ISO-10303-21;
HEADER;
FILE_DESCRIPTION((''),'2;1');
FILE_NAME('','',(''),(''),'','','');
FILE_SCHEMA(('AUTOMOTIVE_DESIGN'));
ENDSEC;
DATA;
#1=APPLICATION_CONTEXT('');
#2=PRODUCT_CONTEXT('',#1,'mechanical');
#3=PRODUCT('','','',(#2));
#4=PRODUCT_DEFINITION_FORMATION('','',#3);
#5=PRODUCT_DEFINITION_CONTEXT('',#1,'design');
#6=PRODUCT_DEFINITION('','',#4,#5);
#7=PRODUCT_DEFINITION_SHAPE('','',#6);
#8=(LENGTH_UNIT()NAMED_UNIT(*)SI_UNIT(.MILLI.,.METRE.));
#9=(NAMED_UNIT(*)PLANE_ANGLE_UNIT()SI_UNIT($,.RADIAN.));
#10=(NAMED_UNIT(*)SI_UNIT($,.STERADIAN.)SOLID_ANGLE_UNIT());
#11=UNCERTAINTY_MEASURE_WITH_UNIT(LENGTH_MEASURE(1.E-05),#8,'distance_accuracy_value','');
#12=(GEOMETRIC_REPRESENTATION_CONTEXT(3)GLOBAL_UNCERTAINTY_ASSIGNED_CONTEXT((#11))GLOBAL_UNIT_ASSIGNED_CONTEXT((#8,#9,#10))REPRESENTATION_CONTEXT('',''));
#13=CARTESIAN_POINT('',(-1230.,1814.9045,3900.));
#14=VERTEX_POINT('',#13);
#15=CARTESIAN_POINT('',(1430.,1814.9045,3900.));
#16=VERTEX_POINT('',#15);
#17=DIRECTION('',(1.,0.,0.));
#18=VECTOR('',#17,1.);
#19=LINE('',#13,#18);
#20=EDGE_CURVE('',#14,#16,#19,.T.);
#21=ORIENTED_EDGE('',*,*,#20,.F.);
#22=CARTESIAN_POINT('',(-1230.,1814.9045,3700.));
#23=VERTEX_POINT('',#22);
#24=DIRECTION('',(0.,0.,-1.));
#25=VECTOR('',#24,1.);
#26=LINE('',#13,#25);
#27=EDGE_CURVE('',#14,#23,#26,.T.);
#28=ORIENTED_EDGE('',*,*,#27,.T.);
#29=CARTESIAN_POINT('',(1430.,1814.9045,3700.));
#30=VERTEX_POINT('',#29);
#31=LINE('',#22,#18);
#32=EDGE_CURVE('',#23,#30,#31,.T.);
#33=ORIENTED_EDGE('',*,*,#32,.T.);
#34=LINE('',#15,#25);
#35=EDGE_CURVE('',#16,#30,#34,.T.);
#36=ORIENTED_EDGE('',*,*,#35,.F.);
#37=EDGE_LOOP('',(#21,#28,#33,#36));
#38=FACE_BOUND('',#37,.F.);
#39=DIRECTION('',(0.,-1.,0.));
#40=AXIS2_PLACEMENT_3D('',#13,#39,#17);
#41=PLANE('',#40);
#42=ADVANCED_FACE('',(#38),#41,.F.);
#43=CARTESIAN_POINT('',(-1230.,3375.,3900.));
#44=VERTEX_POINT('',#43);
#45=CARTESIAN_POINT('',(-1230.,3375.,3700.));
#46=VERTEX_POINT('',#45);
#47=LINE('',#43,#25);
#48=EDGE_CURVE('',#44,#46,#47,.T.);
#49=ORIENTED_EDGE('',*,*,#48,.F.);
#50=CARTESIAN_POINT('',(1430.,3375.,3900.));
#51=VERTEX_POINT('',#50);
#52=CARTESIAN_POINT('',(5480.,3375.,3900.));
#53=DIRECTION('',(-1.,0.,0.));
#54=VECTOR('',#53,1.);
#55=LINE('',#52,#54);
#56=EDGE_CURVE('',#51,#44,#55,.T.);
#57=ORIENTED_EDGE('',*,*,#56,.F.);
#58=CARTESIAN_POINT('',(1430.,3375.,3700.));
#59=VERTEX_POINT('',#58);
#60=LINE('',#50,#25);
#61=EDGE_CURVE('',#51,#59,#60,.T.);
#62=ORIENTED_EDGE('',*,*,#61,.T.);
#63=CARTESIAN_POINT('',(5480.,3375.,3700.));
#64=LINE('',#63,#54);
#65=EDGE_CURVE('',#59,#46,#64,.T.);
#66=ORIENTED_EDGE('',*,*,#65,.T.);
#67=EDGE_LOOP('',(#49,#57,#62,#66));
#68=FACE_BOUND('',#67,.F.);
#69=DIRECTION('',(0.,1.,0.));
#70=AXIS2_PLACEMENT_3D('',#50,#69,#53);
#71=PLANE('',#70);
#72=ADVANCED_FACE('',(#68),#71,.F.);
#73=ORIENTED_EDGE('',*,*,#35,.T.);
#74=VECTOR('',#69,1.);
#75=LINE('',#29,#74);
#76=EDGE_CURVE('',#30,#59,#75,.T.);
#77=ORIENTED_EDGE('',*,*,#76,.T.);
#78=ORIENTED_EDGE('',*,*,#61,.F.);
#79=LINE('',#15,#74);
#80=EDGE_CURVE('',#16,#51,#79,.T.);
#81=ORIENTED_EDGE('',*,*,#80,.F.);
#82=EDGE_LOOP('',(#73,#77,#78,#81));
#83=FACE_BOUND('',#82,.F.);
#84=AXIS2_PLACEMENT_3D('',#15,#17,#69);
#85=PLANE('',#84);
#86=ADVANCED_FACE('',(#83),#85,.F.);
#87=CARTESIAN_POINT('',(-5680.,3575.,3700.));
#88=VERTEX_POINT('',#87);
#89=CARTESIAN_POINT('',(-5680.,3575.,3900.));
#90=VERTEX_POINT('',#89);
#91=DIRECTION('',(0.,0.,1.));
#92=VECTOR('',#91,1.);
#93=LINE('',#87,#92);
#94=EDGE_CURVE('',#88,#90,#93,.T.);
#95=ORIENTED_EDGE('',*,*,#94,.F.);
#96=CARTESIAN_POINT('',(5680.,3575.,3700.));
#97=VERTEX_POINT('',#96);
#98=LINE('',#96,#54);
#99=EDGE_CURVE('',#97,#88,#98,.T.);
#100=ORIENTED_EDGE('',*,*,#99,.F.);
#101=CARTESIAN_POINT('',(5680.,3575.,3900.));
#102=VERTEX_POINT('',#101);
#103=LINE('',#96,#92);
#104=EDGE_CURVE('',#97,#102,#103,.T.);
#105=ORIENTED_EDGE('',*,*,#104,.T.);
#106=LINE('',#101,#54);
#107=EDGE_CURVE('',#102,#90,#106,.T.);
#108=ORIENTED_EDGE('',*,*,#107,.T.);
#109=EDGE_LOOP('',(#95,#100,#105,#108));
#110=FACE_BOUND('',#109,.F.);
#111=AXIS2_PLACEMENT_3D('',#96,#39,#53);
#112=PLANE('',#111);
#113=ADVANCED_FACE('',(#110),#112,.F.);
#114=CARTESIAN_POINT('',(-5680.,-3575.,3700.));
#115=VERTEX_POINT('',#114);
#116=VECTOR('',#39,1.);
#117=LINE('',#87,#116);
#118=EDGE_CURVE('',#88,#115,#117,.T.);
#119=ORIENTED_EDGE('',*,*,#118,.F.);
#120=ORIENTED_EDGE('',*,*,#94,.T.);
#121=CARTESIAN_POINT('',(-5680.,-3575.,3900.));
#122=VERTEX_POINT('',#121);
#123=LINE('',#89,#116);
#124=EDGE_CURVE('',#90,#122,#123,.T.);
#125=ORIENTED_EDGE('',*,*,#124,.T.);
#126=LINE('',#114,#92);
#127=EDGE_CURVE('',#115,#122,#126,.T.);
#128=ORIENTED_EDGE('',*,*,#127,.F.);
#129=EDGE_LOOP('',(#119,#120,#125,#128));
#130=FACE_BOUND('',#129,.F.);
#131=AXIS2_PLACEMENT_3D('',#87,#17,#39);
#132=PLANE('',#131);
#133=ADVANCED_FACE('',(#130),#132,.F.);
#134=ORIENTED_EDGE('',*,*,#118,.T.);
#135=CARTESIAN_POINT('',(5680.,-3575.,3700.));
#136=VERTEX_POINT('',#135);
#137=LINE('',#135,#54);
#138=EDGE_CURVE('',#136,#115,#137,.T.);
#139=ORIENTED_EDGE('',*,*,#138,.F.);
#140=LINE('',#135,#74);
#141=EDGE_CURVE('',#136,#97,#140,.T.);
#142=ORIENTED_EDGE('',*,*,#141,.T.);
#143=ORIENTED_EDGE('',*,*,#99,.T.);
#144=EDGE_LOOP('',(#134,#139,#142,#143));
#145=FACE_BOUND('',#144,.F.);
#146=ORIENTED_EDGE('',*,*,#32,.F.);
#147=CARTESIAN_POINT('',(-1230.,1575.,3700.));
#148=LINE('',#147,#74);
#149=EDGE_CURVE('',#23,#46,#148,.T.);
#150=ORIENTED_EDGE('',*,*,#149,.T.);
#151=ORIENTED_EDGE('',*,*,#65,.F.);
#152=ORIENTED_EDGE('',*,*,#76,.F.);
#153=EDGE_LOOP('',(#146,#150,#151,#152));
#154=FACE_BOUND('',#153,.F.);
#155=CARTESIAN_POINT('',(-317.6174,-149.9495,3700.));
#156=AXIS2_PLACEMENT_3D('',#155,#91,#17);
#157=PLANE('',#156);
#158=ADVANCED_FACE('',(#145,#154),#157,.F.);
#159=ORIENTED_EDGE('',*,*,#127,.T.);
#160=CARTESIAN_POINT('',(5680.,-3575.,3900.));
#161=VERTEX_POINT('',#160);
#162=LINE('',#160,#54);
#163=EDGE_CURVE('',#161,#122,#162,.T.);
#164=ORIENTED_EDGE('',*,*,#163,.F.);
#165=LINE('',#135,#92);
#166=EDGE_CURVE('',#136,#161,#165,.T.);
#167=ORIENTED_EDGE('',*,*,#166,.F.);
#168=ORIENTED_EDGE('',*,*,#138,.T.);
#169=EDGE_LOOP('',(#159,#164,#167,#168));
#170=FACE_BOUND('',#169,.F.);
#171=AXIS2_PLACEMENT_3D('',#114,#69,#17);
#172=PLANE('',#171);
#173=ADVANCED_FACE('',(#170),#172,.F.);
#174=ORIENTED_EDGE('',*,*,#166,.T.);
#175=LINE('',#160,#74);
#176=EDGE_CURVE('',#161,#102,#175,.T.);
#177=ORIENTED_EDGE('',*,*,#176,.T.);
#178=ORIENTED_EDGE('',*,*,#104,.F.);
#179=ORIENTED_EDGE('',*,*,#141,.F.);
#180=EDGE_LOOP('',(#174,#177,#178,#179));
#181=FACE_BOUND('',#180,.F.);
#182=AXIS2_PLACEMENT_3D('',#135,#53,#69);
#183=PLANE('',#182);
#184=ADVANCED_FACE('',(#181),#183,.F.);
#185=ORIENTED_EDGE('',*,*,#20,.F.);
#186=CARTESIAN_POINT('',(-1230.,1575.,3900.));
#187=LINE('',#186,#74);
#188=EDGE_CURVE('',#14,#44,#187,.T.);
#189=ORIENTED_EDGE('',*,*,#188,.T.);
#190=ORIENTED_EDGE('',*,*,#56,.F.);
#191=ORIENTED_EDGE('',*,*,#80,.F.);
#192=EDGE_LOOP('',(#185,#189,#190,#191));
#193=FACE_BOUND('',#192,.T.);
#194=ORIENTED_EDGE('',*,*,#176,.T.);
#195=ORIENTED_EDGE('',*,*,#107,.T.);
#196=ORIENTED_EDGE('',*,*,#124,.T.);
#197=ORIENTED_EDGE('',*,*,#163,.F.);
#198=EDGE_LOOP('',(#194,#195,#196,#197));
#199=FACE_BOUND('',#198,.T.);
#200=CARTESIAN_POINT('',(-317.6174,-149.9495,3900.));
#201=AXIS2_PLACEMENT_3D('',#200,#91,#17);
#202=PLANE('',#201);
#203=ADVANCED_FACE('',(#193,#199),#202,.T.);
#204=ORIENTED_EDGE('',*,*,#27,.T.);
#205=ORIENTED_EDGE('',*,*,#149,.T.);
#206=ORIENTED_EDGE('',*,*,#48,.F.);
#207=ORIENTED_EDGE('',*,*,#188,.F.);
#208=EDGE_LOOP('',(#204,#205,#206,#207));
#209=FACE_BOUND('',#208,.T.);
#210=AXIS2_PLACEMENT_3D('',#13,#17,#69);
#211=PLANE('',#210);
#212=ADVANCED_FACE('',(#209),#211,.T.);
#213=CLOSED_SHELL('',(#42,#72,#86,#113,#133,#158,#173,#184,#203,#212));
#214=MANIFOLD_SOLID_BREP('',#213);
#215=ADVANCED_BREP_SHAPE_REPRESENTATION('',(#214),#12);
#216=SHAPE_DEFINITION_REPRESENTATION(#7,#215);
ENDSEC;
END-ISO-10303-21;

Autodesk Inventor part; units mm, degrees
ref_plane "YZ Plane" through (0, 0, 0) normal (1, 0, 0) x (0, 1, 0)
ref_plane "XZ Plane" through (0, 0, 0) normal (0, 1, 0) x (-1, 0, 0)
ref_plane "XY Plane" through (0, 0, 0) normal (0, 0, 1) x (1, 0, 0)
ref_plane "Arbeitsebene1" through (-317.6174, -149.9495, 3700) normal (0, 0, 1) x (1, 0, 0)
sketch "Skizze1" plane through (-317.6174, -149.9495, 3700) normal (0, 0, 1) x (1, 0, 0)
  line L0 (5797.6174, 3524.9495) -> (5797.6174, -3225.0505) projected
  line L1 (5797.6174, -3225.0505) -> (-3682.3826, -3225.0505) projected
  line L2 (-3682.3826, -3225.0505) -> (-3682.3826, -1925.0505) projected
  line L3 (-3682.3826, -1925.0505) -> (-5162.3826, -1925.0505) projected
  line L4 (-5162.3826, -1925.0505) -> (-5162.3826, 3524.9495) projected
  line L5 (-5162.3826, 3524.9495) -> (5797.6174, 3524.9495) projected
  line L6 (-5162.3826, -3425.0505) -> (-5162.3826, -2125.0505) projected
  line L7 (-5162.3826, -2125.0505) -> (-3882.3826, -2125.0505) projected
  line L8 (-3882.3826, -2125.0505) -> (-3882.3826, -3425.0505) projected
  line L9 (-3882.3826, -3425.0505) -> (5997.6174, -3425.0505) projected
  line L10 (5997.6174, -3425.0505) -> (5997.6174, 3724.9495) projected
  line L11 (5997.6174, 3724.9495) -> (-5362.3826, 3724.9495) projected
  line L12 (-5362.3826, 3724.9495) -> (-5362.3826, -3425.0505) projected
  line L13 (-5362.3826, -3425.0505) -> (-5162.3826, -3425.0505) projected
  line L14 (-5362.3826, 3724.9495) -> (5997.6174, 3724.9495)
  line L15 (5997.6174, 3724.9495) -> (5997.6174, -3425.0505)
  line L16 (5997.6174, -3425.0505) -> (-5362.3826, -3425.0505)
  line L17 (-5362.3826, -3425.0505) -> (-5362.3826, 3724.9495)
extrude "Extrusion1" add sketch "Skizze1" along normal blind 200 contours L0 L1 L2 L3 L4 L5 | L13 L12 L11 L10 L9 L8 L7 L6 | L6 L7 L8 L16
sketch "Skizze2" plane through (-317.6174, -149.9495, 3900) normal (0, 0, 1) x (1, 0, 0)
  line L0 (5997.6174, -3425.0505) -> (5997.6174, 3724.9495) projected
  line L1 (5997.6174, 3724.9495) -> (-5362.3826, 3724.9495) projected
  line L2 (-5362.3826, 3724.9495) -> (-5362.3826, -3425.0505) projected
  line L3 (-5362.3826, -3425.0505) -> (5997.6174, -3425.0505) projected
  line L4 (-912.3826, 1724.9495) -> (-912.3826, 3524.9495) projected
  line L5 (5797.6174, 3524.9495) -> (-5162.3826, 3524.9495) projected
  line L6 (1747.6174, 3524.9495) -> (1747.6174, 2154.9495) projected
  line L7 (-912.3826, 1964.854) -> (1747.6174, 1964.854)
  line L8 (1747.6174, 1964.854) -> (1747.6174, 3524.9495)
  line L9 (1747.6174, 3524.9495) -> (-912.3826, 3524.9495)
  line L10 (-912.3826, 3524.9495) -> (-912.3826, 1964.854)
extrude "Extrusion2" cut sketch "Skizze2" against normal up to surface (200 mm away) contours L4 L5 L6 L8 L7
properties part number "Zwischendecke" material "Beton"
